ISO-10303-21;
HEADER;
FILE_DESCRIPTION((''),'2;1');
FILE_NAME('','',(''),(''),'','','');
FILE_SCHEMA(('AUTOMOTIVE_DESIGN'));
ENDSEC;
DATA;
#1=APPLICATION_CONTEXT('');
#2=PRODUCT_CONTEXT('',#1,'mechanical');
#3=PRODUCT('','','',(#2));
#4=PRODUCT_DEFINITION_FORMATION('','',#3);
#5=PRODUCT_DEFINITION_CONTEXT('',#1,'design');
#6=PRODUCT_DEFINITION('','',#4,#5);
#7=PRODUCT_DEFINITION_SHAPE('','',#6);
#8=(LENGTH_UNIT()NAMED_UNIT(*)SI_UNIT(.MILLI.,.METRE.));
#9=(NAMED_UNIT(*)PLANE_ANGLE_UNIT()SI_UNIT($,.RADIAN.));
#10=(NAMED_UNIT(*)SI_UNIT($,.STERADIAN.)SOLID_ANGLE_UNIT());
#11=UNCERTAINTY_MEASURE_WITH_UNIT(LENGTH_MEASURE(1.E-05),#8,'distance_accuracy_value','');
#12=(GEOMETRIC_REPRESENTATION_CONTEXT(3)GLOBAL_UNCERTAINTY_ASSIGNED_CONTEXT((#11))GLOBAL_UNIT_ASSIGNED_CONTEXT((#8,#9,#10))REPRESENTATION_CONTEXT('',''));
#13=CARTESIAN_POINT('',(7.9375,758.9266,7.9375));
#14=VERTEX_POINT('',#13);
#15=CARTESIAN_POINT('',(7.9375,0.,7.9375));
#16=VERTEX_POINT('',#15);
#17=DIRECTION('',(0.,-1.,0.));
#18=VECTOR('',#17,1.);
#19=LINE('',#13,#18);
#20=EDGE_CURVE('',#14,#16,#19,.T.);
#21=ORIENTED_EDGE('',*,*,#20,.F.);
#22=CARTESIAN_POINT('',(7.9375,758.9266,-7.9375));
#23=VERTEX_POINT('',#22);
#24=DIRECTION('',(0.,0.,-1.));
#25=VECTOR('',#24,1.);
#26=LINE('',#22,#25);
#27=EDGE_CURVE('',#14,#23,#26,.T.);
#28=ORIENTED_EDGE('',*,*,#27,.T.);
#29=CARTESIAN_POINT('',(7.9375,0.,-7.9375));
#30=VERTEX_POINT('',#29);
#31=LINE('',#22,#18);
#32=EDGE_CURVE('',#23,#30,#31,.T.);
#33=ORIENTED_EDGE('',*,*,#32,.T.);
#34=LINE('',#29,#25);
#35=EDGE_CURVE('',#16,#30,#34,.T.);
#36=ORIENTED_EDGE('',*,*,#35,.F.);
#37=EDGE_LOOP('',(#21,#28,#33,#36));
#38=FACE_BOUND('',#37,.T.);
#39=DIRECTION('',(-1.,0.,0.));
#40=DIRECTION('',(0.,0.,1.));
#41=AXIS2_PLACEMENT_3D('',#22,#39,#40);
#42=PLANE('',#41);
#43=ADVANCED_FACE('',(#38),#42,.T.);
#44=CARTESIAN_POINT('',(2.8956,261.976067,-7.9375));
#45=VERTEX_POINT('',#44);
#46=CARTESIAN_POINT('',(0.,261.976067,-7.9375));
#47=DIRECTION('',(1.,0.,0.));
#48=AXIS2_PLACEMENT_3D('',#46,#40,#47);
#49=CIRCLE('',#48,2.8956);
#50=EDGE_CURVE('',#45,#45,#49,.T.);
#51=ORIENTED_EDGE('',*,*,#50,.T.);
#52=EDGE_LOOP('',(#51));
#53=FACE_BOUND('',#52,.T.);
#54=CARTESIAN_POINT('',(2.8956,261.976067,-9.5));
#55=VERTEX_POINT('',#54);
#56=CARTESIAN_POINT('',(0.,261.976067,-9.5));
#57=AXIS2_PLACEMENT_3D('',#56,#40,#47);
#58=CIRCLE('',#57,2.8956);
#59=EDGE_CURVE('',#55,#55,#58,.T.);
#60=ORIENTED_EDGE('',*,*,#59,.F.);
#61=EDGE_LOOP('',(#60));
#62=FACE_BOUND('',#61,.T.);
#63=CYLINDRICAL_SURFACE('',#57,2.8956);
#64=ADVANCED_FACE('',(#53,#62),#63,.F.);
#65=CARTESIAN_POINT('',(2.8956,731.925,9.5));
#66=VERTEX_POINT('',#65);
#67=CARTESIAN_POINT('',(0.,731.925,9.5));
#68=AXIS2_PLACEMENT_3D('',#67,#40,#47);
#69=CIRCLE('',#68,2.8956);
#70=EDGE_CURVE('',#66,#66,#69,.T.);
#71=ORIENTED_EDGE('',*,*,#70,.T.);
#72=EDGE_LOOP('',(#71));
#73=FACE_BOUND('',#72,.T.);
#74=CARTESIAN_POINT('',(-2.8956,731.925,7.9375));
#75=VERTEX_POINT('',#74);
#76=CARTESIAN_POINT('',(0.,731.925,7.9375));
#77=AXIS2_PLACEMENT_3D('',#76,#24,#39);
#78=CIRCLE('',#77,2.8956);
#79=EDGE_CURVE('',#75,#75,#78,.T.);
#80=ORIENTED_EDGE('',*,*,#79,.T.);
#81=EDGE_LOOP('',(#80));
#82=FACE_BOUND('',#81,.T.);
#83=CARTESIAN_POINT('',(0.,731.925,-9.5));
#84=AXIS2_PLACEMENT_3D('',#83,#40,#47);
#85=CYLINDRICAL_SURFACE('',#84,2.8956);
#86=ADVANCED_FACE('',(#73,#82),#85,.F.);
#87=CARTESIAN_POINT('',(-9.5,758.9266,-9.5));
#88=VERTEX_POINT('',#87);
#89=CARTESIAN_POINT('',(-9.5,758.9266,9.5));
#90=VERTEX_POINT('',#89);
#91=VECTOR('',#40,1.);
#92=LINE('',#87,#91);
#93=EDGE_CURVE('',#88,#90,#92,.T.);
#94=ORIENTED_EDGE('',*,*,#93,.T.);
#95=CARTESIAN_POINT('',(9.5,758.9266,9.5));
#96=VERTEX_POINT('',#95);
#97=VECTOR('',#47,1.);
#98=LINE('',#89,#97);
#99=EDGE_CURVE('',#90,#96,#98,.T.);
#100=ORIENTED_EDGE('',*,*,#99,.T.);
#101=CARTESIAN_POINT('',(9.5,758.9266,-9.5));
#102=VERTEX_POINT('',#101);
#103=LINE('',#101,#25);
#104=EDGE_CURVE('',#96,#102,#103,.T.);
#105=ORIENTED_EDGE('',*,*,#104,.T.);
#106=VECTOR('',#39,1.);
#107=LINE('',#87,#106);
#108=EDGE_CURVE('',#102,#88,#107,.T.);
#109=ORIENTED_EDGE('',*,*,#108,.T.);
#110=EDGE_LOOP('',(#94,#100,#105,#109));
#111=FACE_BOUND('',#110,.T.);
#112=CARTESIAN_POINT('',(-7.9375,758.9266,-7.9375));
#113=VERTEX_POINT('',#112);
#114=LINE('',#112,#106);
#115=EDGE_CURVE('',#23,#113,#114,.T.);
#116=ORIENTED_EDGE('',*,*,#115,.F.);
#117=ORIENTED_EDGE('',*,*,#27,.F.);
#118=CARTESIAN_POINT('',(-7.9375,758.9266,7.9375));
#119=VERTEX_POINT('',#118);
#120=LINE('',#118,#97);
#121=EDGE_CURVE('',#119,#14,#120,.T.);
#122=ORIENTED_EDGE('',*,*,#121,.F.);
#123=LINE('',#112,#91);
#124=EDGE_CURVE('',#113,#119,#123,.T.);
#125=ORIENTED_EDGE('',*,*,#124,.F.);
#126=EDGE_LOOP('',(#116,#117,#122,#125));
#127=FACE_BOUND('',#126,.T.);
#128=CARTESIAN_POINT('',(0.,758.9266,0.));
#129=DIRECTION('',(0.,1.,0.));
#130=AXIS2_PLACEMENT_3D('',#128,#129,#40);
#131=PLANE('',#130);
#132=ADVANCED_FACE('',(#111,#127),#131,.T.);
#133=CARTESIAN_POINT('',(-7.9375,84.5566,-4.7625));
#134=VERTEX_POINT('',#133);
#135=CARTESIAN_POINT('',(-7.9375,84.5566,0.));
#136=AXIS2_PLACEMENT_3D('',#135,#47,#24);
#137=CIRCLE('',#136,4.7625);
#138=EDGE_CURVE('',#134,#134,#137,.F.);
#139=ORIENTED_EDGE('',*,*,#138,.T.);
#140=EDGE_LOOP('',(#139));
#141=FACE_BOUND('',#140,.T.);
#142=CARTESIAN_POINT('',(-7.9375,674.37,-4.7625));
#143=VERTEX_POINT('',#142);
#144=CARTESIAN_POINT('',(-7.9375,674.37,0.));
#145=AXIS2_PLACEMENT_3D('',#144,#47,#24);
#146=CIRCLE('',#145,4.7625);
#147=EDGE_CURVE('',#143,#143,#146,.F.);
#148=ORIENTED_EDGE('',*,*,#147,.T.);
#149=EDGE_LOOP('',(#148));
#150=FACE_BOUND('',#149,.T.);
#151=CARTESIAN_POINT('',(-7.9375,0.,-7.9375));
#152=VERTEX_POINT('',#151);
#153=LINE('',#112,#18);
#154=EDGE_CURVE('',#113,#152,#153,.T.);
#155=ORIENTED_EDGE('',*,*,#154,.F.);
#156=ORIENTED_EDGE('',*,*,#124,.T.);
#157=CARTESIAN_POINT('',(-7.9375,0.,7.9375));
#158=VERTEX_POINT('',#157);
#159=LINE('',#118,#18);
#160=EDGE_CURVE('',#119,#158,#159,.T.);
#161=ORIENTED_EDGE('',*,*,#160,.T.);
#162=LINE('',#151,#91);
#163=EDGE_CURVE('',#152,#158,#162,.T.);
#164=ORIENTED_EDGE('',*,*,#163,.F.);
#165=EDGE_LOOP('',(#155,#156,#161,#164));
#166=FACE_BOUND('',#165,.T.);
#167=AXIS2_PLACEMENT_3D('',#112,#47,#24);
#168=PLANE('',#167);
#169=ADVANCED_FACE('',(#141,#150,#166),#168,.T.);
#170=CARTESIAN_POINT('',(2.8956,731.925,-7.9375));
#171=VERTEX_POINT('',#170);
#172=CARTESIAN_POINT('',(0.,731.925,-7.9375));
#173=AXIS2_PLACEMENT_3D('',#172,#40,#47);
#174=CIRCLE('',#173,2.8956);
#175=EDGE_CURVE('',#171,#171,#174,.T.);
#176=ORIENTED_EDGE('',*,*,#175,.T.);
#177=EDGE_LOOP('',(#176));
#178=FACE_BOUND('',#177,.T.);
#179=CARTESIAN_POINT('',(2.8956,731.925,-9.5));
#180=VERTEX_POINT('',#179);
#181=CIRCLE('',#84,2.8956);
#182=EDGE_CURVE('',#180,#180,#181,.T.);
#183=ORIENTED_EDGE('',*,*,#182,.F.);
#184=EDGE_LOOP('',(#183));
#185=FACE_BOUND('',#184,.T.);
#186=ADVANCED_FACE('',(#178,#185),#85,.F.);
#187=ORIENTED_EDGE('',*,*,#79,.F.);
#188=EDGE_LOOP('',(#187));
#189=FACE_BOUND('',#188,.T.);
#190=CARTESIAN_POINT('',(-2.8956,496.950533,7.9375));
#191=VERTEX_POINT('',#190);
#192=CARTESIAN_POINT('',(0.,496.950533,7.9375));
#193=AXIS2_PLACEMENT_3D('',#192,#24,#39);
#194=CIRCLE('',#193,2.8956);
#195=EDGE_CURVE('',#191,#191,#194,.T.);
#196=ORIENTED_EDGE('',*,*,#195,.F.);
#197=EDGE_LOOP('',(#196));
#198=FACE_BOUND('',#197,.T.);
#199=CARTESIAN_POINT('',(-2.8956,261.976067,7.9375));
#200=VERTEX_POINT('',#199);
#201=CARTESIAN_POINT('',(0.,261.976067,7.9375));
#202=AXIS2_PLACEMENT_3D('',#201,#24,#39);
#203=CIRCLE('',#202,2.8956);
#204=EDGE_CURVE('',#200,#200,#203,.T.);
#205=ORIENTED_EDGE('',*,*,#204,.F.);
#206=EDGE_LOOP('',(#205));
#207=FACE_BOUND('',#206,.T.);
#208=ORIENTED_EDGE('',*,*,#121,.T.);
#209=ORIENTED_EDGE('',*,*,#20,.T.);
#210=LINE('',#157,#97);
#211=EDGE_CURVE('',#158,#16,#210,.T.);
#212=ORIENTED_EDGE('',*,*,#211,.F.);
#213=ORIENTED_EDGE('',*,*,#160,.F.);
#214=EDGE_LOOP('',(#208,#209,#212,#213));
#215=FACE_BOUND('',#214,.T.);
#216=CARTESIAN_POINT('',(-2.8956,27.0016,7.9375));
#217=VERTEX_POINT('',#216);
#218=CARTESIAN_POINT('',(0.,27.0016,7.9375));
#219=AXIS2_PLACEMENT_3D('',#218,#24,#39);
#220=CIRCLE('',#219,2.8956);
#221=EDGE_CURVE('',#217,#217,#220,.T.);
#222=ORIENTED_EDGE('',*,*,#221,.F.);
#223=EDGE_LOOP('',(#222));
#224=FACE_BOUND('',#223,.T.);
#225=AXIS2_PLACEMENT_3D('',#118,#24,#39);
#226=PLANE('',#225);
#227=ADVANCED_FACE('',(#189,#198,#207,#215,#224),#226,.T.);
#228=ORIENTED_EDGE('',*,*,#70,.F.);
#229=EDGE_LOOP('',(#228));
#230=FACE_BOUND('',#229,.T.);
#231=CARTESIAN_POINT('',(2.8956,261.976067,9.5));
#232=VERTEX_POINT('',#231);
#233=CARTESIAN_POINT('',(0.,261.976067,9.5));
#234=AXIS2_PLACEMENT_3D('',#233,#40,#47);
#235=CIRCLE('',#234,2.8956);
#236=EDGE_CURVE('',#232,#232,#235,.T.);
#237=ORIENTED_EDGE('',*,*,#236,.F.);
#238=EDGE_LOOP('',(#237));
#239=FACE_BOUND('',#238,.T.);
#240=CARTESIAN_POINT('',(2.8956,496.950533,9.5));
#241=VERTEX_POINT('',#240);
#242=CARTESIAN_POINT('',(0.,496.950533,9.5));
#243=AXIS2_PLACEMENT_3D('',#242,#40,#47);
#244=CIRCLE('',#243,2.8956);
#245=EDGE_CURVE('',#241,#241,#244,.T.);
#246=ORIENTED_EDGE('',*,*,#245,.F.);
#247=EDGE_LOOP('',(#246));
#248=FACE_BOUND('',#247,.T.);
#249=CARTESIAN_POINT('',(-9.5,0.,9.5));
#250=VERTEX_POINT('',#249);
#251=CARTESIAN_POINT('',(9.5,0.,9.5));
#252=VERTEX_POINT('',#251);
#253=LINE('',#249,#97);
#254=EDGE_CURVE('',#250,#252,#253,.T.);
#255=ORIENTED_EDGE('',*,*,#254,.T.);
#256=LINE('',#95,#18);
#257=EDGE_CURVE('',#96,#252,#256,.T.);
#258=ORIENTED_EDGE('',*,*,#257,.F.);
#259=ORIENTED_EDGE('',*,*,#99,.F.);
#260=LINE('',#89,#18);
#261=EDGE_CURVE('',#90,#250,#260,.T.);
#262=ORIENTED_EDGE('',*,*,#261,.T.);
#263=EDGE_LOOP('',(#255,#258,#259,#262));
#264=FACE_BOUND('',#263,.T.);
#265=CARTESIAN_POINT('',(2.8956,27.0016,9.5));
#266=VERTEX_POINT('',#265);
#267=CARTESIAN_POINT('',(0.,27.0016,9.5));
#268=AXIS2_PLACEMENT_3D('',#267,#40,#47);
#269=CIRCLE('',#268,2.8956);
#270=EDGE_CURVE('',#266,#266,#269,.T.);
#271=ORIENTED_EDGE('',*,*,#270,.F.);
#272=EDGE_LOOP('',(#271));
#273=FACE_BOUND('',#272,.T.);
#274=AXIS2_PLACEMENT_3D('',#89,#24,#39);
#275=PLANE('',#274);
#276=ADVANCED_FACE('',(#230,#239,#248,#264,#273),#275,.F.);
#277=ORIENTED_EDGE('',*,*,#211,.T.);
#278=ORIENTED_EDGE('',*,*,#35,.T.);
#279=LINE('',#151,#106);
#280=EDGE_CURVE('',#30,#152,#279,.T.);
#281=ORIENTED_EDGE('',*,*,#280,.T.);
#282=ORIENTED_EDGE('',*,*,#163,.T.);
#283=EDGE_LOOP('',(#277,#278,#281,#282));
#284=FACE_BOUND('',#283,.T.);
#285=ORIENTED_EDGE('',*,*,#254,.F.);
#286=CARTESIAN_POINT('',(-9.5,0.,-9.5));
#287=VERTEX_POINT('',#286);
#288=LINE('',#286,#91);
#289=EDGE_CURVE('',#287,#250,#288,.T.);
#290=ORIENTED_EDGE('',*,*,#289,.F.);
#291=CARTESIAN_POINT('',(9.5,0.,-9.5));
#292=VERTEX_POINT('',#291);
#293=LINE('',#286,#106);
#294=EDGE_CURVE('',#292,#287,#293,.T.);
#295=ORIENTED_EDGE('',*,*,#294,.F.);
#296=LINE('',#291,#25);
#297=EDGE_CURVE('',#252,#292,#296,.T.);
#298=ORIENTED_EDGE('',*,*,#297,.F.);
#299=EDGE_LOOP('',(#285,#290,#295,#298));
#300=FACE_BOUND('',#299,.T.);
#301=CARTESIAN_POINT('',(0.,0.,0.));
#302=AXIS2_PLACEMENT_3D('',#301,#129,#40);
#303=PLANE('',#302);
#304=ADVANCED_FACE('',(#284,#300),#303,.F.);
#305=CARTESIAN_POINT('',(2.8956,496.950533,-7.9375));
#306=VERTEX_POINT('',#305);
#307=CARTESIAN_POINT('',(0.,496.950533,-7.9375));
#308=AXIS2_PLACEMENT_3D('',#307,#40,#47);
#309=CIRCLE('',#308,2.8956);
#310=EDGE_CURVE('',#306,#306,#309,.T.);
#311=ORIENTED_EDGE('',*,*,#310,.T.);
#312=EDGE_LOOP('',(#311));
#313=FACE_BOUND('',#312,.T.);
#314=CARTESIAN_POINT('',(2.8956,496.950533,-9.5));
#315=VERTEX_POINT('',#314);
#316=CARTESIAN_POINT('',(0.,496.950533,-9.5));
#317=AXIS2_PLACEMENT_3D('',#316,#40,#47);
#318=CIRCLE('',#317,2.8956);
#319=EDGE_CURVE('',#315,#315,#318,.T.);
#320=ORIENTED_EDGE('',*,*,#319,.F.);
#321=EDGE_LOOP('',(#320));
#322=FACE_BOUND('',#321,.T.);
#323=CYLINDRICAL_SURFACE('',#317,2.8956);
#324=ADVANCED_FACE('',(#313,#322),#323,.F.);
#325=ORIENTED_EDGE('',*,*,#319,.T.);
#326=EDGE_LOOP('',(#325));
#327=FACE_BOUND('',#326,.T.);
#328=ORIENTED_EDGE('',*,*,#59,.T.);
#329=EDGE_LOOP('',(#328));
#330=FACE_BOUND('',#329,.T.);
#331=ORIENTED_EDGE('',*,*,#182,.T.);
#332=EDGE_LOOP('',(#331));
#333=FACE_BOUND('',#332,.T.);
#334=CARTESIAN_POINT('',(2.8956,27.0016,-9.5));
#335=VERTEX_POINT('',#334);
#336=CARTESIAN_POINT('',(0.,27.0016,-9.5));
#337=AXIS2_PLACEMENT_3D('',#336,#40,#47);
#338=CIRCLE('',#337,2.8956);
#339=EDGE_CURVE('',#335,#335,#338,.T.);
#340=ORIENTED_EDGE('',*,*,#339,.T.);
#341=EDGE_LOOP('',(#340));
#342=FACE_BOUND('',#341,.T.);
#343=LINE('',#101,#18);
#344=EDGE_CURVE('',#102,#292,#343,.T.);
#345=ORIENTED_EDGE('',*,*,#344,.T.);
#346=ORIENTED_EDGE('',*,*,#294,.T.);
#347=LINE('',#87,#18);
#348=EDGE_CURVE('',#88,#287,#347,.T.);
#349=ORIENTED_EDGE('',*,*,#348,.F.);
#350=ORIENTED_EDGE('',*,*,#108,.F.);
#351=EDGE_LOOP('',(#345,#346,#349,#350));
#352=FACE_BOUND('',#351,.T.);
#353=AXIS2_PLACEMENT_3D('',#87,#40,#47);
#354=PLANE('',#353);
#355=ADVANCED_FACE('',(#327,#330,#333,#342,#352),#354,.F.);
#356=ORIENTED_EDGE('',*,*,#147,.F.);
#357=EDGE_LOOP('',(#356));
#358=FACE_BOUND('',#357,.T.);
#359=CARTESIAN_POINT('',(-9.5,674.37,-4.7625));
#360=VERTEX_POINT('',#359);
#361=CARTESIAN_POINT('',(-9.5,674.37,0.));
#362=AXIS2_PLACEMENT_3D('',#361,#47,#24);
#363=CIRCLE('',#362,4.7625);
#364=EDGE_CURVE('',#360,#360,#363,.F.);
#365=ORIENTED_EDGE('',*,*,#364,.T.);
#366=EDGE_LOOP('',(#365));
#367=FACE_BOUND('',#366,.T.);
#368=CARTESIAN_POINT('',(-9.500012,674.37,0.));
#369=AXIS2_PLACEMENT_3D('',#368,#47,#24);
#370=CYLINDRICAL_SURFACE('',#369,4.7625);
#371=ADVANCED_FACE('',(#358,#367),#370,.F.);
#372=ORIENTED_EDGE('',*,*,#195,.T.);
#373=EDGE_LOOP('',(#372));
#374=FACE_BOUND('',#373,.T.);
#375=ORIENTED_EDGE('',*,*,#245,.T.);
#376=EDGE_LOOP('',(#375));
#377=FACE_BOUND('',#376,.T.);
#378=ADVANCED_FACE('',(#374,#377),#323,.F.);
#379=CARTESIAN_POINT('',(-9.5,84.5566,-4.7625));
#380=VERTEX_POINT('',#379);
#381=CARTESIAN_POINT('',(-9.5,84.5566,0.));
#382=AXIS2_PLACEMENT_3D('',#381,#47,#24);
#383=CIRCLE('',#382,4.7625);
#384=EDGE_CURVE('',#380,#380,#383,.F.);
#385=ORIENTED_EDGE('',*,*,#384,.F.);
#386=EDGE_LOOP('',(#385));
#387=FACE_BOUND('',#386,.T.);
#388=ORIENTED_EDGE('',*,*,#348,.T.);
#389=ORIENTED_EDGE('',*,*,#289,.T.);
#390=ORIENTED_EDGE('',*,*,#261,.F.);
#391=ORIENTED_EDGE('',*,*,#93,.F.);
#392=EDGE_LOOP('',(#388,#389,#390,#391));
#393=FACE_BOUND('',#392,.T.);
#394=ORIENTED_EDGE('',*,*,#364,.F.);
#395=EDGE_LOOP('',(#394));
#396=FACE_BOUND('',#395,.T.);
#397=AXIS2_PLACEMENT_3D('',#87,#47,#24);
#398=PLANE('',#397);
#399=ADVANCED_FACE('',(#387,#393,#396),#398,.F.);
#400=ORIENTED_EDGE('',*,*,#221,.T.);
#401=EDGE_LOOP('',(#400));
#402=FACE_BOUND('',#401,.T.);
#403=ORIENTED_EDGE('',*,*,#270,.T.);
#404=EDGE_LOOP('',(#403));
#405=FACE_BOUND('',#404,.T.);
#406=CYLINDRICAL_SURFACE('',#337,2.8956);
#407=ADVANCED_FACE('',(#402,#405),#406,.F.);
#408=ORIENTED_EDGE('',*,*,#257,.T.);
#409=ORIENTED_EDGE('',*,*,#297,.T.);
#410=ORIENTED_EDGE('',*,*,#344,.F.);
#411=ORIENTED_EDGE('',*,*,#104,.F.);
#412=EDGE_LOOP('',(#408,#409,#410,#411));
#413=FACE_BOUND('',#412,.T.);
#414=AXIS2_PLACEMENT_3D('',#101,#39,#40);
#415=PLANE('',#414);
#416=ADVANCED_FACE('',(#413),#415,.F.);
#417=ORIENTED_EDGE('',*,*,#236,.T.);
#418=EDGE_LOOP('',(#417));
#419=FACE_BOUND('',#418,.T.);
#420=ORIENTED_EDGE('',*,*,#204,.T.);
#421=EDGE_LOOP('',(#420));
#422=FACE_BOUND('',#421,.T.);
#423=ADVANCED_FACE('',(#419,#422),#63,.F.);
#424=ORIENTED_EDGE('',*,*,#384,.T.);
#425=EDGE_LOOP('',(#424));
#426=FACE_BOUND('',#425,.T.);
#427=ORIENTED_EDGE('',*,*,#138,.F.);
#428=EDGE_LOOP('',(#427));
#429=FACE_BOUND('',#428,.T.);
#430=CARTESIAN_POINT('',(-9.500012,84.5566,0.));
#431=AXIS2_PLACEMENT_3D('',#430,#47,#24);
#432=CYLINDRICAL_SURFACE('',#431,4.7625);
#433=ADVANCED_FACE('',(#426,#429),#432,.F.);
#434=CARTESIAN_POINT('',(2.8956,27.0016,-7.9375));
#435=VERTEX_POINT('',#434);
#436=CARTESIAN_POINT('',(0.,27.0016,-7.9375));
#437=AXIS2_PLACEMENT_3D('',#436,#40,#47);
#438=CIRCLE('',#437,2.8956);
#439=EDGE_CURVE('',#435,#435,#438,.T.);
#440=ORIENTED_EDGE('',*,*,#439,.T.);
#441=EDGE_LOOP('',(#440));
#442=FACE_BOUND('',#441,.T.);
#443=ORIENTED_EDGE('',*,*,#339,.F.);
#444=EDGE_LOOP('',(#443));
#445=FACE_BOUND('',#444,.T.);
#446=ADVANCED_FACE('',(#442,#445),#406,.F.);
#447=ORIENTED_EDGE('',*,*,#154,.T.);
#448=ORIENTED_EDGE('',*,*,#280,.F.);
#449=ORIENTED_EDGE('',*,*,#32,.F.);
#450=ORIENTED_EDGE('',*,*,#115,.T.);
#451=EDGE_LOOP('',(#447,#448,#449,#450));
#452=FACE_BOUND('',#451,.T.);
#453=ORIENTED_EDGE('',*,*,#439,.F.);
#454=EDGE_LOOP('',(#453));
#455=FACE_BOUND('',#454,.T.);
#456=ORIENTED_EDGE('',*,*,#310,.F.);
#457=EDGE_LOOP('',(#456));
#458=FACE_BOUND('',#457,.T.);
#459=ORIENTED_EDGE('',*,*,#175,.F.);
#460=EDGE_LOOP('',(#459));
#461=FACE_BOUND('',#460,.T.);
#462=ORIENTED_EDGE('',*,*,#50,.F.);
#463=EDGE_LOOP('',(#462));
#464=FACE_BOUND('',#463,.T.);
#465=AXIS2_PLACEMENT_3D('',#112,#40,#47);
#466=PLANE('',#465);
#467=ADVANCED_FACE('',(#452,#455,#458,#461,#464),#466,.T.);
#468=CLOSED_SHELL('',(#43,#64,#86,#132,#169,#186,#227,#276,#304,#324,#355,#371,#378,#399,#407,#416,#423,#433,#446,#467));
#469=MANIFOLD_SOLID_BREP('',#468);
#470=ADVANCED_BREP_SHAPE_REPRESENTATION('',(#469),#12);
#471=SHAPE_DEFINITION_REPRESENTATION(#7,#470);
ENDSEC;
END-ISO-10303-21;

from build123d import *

# Parameters (mm, degrees)
SKETCH1_W                      = 19
SKETCH1_H                      = 19
SKETCH1_W_2                    = 15.875
SKETCH1_H_2                    = 15.875
TUBE_DEPTH                     = 758.9266
SKETCH2_R                      = 2.8956
SIDE_WALL_HOLES_DEPTH          = 20
LPATTERN1_COUNT                = 4
LPATTERN1_PITCH                = 234.974466667
CUT_EXTRUDE1_REACH             = 21
SKETCH3_R                      = 4.7625
CUT_EXTRUDE1_DIRECTION_2_DEPTH = 1


with BuildPart() as part:
    # Sketch1 → Tube (new body)
    with BuildSketch(Plane(origin=(0, 0, 0), x_dir=(1, 0, 0), z_dir=(0, 1, 0))):
        Rectangle(SKETCH1_W, SKETCH1_H)
        Rectangle(SKETCH1_W_2, SKETCH1_H_2, mode=Mode.SUBTRACT)
    extrude(amount=TUBE_DEPTH)

    # Sketch2 → Side Wall Holes (cut, through all)
    with BuildSketch(Plane.XY.offset(9.5)):
        with Locations((0, 731.925)):
            Circle(SKETCH2_R)
    side_wall_holes = extrude(amount=-SIDE_WALL_HOLES_DEPTH, mode=Mode.SUBTRACT)

    # LPattern1: Side Wall Holes ×4
    with Locations(*[(0, -i * LPATTERN1_PITCH, 0) for i in range(1, LPATTERN1_COUNT)]):
        add(side_wall_holes, mode=Mode.SUBTRACT)

    # Sketch3 → Cut-Extrude1 (cut, up to next)
    with BuildSketch(Plane.ZY.offset(9.5), mode=Mode.PRIVATE) as cut_extrude1_sk1:
        with Locations((0, 674.37)):
            Circle(SKETCH3_R)
    cut_extrude1_tool1 = extrude(cut_extrude1_sk1.sketch, amount=-CUT_EXTRUDE1_REACH, mode=Mode.PRIVATE) & part.part
    add(cut_extrude1_tool1.solids().sort_by_distance((-9.5, 674.37, 0))[0], mode=Mode.SUBTRACT)
    # Sketch3 → Cut-Extrude1 (cut, up to next)
    with BuildSketch(Plane.ZY.offset(9.5), mode=Mode.PRIVATE) as cut_extrude1_sk2:
        with Locations((0, 84.5566)):
            Circle(SKETCH3_R)
    cut_extrude1_tool2 = extrude(cut_extrude1_sk2.sketch, amount=-CUT_EXTRUDE1_REACH, mode=Mode.PRIVATE) & part.part
    add(cut_extrude1_tool2.solids().sort_by_distance((-9.5, 84.5566, 0))[0], mode=Mode.SUBTRACT)

    # Sketch3 → Cut-Extrude1 direction 2 (cut)
    with BuildSketch(Plane.ZY.offset(9.5)):
        with Locations((0, 674.37)):
            Circle(SKETCH3_R)
        with Locations((0, 84.5566)):
            Circle(SKETCH3_R)
    extrude(amount=CUT_EXTRUDE1_DIRECTION_2_DEPTH, mode=Mode.SUBTRACT)


solid = part.part
